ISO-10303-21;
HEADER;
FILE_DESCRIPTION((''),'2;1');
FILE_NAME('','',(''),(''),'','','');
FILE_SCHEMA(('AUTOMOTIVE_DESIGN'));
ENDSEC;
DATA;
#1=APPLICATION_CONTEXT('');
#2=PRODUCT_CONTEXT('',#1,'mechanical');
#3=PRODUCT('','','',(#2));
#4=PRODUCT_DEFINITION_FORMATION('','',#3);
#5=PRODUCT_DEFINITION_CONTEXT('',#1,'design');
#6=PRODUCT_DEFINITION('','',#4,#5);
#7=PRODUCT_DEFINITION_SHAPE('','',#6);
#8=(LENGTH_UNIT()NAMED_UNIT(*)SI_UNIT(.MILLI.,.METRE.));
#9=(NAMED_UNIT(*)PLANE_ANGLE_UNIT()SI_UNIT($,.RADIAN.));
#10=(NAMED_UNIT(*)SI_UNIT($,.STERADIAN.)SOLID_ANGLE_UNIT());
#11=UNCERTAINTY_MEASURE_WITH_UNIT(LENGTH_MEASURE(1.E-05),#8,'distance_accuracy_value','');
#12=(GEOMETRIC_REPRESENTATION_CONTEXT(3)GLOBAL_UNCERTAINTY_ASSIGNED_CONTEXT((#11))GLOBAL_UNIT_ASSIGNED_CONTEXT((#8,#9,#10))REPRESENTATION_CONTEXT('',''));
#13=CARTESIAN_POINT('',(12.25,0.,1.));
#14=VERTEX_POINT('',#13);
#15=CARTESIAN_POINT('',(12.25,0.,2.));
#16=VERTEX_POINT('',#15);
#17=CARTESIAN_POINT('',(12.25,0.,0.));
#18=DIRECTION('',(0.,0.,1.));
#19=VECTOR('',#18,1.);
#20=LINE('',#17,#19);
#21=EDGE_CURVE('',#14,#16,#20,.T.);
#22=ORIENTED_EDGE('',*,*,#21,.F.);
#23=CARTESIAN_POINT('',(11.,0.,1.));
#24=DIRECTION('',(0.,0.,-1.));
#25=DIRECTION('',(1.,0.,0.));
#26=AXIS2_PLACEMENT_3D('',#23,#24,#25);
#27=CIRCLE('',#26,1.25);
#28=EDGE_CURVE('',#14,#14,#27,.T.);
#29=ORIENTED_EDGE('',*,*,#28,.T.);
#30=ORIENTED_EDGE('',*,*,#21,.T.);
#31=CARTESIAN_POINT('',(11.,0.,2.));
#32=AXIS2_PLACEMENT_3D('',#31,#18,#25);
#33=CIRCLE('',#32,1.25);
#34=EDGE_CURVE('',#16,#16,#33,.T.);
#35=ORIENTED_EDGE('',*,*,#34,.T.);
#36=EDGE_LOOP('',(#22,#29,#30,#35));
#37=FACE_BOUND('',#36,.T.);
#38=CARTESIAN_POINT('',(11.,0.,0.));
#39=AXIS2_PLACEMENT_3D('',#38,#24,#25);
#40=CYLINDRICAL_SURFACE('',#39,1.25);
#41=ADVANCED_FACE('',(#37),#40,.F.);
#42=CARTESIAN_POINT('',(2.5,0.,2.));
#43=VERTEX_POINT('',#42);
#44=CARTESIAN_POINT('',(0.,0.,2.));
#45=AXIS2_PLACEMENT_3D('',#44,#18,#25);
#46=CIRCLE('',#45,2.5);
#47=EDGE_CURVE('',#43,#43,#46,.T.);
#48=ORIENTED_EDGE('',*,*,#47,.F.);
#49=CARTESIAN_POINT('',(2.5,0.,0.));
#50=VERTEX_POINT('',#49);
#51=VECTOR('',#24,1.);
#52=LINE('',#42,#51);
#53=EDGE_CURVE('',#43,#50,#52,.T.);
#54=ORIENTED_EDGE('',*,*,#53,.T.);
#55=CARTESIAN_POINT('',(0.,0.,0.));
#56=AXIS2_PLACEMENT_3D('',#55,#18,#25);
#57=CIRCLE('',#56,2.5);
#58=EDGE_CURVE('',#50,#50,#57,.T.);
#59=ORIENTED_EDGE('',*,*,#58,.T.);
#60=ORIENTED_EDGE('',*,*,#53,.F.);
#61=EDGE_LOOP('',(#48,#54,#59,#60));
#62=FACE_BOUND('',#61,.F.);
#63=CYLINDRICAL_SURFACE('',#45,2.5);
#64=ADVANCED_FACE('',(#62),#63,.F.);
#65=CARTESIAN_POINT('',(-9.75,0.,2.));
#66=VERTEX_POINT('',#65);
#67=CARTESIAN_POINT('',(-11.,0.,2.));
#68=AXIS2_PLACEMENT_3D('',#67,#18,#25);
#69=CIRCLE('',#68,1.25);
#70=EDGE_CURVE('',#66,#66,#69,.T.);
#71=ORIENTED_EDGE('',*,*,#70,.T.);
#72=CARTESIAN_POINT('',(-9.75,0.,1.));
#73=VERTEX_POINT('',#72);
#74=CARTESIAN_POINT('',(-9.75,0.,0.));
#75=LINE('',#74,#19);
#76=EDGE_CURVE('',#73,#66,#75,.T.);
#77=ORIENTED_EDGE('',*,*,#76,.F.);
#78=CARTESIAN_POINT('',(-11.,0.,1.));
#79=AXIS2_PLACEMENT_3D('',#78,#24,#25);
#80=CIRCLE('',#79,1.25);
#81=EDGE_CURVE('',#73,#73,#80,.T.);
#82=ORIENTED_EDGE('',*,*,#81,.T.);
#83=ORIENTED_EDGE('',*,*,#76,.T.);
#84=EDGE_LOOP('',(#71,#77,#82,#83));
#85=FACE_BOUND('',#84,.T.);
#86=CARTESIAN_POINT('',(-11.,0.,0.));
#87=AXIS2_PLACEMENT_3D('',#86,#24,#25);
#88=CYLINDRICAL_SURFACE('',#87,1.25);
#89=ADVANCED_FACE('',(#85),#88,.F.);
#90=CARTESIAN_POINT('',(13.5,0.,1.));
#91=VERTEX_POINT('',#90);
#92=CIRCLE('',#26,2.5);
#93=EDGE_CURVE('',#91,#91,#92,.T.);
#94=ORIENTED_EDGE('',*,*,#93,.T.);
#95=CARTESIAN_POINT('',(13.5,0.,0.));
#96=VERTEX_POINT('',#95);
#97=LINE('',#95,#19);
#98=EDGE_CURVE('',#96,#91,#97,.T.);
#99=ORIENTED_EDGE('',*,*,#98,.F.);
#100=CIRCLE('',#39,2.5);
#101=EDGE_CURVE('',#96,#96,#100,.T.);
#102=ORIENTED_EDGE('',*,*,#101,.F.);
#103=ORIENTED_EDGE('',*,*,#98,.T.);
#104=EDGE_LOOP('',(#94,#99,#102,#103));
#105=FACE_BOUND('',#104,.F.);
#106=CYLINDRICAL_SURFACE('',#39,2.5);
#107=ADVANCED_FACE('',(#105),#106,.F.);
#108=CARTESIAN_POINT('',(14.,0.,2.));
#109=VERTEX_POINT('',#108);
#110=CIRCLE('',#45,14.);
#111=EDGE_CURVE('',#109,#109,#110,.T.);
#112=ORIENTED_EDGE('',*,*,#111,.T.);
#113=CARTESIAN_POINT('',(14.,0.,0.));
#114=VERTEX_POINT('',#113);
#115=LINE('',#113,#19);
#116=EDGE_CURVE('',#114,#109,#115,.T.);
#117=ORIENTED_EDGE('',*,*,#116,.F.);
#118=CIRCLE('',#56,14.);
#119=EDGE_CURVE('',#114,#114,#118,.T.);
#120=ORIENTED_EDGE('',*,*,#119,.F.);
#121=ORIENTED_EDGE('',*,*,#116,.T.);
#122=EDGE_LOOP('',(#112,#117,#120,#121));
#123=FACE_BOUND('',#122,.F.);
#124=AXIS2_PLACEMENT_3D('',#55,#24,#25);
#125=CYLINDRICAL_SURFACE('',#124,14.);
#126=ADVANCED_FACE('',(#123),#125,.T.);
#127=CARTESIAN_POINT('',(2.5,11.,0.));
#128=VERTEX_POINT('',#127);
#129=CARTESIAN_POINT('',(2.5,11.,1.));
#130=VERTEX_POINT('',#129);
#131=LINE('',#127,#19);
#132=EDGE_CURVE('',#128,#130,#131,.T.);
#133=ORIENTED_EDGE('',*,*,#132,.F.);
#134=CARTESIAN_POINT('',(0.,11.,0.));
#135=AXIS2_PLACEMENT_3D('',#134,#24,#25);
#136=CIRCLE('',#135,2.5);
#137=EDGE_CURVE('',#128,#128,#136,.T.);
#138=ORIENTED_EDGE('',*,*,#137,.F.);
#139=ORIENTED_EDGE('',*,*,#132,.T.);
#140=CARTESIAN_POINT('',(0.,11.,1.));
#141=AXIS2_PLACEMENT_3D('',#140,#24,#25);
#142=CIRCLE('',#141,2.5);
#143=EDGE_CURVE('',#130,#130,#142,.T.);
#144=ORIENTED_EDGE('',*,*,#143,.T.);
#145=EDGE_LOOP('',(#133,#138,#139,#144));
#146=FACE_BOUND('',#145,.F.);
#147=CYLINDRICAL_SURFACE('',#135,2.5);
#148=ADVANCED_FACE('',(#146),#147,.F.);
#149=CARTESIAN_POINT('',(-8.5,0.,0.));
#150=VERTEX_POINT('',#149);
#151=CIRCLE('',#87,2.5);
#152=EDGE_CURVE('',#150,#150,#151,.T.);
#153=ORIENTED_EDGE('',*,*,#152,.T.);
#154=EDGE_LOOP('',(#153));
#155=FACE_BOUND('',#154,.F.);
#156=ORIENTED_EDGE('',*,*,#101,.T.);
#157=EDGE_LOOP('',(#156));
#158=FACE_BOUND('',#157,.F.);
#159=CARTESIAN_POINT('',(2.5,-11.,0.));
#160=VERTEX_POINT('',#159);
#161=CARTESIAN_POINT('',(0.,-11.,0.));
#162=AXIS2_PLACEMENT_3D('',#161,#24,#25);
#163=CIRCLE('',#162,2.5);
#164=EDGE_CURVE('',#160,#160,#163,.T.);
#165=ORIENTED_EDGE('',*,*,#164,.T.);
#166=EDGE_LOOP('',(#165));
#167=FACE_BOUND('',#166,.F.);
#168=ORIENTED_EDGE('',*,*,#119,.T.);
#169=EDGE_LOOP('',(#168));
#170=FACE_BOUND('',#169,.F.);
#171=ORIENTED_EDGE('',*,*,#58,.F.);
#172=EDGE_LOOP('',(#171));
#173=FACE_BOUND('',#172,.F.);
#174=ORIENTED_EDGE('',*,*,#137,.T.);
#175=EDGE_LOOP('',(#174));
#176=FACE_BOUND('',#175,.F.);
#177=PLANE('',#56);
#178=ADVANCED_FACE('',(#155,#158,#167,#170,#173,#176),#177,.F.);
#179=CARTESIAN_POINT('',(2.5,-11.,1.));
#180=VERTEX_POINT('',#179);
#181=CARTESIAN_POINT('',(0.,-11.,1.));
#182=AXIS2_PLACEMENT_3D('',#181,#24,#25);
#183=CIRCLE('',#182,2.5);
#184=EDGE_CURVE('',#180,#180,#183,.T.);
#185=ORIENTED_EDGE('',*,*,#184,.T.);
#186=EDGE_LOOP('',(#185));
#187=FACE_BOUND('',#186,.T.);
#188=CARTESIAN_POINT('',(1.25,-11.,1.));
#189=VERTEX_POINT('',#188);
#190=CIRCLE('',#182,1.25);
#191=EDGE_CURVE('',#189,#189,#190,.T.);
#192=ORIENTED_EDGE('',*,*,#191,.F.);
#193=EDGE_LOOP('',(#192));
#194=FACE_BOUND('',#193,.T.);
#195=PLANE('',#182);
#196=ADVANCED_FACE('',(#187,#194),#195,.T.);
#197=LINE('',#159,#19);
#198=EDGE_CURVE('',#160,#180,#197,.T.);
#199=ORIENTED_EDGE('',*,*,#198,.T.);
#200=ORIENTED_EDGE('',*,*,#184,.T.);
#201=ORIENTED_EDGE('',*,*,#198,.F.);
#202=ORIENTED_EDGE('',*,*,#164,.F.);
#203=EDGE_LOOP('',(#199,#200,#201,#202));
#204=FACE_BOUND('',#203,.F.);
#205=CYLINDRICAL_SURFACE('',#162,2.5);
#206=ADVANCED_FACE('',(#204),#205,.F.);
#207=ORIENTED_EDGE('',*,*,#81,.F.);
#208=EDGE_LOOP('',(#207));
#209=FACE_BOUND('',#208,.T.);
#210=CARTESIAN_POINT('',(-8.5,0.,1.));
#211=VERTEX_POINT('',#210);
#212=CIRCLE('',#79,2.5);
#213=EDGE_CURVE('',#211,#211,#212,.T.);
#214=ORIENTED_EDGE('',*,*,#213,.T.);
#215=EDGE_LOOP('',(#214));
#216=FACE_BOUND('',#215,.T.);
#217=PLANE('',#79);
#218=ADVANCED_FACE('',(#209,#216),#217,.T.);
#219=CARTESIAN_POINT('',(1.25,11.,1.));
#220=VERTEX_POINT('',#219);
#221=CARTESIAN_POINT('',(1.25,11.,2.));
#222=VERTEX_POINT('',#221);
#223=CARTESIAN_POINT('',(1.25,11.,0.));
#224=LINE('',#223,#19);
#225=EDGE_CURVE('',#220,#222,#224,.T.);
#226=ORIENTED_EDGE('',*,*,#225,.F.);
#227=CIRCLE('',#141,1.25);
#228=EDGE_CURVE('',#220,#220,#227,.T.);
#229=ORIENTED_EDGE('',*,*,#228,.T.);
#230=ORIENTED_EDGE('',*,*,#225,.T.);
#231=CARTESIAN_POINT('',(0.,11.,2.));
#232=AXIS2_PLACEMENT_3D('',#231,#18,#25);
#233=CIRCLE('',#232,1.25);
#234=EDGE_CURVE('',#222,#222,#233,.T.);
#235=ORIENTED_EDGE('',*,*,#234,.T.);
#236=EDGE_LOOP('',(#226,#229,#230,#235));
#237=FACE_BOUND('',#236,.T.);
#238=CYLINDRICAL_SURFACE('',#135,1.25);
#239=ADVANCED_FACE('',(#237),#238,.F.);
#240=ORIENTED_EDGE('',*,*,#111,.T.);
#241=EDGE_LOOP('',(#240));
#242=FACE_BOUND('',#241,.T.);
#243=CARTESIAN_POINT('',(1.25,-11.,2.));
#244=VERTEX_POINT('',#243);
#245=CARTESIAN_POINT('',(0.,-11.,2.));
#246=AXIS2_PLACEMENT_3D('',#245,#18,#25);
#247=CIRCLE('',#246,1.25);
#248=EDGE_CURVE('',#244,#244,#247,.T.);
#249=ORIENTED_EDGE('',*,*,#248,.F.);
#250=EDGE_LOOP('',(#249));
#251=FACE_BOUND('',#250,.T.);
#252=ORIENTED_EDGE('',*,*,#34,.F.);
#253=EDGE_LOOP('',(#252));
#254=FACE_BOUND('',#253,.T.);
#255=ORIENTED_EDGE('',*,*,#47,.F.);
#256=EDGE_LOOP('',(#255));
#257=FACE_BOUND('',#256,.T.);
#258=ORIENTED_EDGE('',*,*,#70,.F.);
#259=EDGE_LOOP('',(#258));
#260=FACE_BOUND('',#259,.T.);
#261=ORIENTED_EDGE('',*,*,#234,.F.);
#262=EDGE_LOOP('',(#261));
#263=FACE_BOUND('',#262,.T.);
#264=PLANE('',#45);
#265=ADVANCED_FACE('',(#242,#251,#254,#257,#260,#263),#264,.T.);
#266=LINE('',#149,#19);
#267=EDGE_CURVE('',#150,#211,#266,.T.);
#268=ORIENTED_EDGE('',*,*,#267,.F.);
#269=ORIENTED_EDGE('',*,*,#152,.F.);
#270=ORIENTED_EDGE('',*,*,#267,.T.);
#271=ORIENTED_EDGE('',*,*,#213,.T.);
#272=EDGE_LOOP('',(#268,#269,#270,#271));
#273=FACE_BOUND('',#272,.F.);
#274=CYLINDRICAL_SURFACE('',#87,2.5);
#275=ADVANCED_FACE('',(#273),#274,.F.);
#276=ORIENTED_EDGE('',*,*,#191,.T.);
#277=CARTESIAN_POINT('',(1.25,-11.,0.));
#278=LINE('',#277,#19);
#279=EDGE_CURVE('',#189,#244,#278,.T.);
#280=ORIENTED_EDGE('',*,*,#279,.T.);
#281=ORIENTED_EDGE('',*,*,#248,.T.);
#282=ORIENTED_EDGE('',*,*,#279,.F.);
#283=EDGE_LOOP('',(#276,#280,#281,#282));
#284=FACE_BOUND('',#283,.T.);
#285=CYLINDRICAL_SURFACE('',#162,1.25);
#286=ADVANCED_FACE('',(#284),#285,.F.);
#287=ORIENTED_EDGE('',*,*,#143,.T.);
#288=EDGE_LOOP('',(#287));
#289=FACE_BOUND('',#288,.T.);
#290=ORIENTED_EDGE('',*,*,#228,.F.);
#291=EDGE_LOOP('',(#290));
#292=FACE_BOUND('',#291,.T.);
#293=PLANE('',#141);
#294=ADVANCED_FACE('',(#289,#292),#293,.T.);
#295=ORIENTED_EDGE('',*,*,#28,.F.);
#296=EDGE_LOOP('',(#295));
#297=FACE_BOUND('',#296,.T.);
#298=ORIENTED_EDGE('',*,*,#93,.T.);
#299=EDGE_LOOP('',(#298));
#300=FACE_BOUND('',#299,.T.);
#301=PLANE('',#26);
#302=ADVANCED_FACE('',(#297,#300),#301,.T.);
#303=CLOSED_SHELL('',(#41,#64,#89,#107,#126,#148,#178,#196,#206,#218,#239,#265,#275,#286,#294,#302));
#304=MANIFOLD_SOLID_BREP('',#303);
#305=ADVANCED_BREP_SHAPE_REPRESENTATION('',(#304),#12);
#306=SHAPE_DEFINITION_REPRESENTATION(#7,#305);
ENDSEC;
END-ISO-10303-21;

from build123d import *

# Parameters (mm, degrees)
SKETCH_R        = 14
SKETCH_R_2      = 1.25
PAD_DEPTH       = 2
SKETCH002_R     = 2.5
POCKET_DEPTH    = 9
SKETCH003_R     = 2.5
POCKET001_DEPTH = 1


with BuildPart() as part:
    # Sketch → Pad (new body)
    with BuildSketch(Plane.XY):
        Circle(SKETCH_R)
        with Locations((0, 11)):
            Circle(SKETCH_R_2, mode=Mode.SUBTRACT)
        with Locations((-11, 0)):
            Circle(SKETCH_R_2, mode=Mode.SUBTRACT)
        with Locations((0, -11)):
            Circle(SKETCH_R_2, mode=Mode.SUBTRACT)
        with Locations((11, 0)):
            Circle(SKETCH_R_2, mode=Mode.SUBTRACT)
    extrude(amount=PAD_DEPTH)

    # Sketch002 (on Face7 of Pad) → Pocket (cut)
    with BuildSketch(Plane.XY.offset(2)):
        Circle(SKETCH002_R)
    extrude(amount=-POCKET_DEPTH, mode=Mode.SUBTRACT)

    # Sketch003 (on Face2 of Pocket) → Pocket001 (cut)
    with BuildSketch(Plane(origin=(0, 0, 0), x_dir=(1, 0, 0), z_dir=(0, 0, -1))):
        with Locations((0, 11)):
            Circle(SKETCH003_R)
        with Locations((11, 0)):
            Circle(SKETCH003_R)
        with Locations((0, -11)):
            Circle(SKETCH003_R)
        with Locations((-11, 0)):
            Circle(SKETCH003_R)
    extrude(amount=-POCKET001_DEPTH, mode=Mode.SUBTRACT)


solid = part.part
